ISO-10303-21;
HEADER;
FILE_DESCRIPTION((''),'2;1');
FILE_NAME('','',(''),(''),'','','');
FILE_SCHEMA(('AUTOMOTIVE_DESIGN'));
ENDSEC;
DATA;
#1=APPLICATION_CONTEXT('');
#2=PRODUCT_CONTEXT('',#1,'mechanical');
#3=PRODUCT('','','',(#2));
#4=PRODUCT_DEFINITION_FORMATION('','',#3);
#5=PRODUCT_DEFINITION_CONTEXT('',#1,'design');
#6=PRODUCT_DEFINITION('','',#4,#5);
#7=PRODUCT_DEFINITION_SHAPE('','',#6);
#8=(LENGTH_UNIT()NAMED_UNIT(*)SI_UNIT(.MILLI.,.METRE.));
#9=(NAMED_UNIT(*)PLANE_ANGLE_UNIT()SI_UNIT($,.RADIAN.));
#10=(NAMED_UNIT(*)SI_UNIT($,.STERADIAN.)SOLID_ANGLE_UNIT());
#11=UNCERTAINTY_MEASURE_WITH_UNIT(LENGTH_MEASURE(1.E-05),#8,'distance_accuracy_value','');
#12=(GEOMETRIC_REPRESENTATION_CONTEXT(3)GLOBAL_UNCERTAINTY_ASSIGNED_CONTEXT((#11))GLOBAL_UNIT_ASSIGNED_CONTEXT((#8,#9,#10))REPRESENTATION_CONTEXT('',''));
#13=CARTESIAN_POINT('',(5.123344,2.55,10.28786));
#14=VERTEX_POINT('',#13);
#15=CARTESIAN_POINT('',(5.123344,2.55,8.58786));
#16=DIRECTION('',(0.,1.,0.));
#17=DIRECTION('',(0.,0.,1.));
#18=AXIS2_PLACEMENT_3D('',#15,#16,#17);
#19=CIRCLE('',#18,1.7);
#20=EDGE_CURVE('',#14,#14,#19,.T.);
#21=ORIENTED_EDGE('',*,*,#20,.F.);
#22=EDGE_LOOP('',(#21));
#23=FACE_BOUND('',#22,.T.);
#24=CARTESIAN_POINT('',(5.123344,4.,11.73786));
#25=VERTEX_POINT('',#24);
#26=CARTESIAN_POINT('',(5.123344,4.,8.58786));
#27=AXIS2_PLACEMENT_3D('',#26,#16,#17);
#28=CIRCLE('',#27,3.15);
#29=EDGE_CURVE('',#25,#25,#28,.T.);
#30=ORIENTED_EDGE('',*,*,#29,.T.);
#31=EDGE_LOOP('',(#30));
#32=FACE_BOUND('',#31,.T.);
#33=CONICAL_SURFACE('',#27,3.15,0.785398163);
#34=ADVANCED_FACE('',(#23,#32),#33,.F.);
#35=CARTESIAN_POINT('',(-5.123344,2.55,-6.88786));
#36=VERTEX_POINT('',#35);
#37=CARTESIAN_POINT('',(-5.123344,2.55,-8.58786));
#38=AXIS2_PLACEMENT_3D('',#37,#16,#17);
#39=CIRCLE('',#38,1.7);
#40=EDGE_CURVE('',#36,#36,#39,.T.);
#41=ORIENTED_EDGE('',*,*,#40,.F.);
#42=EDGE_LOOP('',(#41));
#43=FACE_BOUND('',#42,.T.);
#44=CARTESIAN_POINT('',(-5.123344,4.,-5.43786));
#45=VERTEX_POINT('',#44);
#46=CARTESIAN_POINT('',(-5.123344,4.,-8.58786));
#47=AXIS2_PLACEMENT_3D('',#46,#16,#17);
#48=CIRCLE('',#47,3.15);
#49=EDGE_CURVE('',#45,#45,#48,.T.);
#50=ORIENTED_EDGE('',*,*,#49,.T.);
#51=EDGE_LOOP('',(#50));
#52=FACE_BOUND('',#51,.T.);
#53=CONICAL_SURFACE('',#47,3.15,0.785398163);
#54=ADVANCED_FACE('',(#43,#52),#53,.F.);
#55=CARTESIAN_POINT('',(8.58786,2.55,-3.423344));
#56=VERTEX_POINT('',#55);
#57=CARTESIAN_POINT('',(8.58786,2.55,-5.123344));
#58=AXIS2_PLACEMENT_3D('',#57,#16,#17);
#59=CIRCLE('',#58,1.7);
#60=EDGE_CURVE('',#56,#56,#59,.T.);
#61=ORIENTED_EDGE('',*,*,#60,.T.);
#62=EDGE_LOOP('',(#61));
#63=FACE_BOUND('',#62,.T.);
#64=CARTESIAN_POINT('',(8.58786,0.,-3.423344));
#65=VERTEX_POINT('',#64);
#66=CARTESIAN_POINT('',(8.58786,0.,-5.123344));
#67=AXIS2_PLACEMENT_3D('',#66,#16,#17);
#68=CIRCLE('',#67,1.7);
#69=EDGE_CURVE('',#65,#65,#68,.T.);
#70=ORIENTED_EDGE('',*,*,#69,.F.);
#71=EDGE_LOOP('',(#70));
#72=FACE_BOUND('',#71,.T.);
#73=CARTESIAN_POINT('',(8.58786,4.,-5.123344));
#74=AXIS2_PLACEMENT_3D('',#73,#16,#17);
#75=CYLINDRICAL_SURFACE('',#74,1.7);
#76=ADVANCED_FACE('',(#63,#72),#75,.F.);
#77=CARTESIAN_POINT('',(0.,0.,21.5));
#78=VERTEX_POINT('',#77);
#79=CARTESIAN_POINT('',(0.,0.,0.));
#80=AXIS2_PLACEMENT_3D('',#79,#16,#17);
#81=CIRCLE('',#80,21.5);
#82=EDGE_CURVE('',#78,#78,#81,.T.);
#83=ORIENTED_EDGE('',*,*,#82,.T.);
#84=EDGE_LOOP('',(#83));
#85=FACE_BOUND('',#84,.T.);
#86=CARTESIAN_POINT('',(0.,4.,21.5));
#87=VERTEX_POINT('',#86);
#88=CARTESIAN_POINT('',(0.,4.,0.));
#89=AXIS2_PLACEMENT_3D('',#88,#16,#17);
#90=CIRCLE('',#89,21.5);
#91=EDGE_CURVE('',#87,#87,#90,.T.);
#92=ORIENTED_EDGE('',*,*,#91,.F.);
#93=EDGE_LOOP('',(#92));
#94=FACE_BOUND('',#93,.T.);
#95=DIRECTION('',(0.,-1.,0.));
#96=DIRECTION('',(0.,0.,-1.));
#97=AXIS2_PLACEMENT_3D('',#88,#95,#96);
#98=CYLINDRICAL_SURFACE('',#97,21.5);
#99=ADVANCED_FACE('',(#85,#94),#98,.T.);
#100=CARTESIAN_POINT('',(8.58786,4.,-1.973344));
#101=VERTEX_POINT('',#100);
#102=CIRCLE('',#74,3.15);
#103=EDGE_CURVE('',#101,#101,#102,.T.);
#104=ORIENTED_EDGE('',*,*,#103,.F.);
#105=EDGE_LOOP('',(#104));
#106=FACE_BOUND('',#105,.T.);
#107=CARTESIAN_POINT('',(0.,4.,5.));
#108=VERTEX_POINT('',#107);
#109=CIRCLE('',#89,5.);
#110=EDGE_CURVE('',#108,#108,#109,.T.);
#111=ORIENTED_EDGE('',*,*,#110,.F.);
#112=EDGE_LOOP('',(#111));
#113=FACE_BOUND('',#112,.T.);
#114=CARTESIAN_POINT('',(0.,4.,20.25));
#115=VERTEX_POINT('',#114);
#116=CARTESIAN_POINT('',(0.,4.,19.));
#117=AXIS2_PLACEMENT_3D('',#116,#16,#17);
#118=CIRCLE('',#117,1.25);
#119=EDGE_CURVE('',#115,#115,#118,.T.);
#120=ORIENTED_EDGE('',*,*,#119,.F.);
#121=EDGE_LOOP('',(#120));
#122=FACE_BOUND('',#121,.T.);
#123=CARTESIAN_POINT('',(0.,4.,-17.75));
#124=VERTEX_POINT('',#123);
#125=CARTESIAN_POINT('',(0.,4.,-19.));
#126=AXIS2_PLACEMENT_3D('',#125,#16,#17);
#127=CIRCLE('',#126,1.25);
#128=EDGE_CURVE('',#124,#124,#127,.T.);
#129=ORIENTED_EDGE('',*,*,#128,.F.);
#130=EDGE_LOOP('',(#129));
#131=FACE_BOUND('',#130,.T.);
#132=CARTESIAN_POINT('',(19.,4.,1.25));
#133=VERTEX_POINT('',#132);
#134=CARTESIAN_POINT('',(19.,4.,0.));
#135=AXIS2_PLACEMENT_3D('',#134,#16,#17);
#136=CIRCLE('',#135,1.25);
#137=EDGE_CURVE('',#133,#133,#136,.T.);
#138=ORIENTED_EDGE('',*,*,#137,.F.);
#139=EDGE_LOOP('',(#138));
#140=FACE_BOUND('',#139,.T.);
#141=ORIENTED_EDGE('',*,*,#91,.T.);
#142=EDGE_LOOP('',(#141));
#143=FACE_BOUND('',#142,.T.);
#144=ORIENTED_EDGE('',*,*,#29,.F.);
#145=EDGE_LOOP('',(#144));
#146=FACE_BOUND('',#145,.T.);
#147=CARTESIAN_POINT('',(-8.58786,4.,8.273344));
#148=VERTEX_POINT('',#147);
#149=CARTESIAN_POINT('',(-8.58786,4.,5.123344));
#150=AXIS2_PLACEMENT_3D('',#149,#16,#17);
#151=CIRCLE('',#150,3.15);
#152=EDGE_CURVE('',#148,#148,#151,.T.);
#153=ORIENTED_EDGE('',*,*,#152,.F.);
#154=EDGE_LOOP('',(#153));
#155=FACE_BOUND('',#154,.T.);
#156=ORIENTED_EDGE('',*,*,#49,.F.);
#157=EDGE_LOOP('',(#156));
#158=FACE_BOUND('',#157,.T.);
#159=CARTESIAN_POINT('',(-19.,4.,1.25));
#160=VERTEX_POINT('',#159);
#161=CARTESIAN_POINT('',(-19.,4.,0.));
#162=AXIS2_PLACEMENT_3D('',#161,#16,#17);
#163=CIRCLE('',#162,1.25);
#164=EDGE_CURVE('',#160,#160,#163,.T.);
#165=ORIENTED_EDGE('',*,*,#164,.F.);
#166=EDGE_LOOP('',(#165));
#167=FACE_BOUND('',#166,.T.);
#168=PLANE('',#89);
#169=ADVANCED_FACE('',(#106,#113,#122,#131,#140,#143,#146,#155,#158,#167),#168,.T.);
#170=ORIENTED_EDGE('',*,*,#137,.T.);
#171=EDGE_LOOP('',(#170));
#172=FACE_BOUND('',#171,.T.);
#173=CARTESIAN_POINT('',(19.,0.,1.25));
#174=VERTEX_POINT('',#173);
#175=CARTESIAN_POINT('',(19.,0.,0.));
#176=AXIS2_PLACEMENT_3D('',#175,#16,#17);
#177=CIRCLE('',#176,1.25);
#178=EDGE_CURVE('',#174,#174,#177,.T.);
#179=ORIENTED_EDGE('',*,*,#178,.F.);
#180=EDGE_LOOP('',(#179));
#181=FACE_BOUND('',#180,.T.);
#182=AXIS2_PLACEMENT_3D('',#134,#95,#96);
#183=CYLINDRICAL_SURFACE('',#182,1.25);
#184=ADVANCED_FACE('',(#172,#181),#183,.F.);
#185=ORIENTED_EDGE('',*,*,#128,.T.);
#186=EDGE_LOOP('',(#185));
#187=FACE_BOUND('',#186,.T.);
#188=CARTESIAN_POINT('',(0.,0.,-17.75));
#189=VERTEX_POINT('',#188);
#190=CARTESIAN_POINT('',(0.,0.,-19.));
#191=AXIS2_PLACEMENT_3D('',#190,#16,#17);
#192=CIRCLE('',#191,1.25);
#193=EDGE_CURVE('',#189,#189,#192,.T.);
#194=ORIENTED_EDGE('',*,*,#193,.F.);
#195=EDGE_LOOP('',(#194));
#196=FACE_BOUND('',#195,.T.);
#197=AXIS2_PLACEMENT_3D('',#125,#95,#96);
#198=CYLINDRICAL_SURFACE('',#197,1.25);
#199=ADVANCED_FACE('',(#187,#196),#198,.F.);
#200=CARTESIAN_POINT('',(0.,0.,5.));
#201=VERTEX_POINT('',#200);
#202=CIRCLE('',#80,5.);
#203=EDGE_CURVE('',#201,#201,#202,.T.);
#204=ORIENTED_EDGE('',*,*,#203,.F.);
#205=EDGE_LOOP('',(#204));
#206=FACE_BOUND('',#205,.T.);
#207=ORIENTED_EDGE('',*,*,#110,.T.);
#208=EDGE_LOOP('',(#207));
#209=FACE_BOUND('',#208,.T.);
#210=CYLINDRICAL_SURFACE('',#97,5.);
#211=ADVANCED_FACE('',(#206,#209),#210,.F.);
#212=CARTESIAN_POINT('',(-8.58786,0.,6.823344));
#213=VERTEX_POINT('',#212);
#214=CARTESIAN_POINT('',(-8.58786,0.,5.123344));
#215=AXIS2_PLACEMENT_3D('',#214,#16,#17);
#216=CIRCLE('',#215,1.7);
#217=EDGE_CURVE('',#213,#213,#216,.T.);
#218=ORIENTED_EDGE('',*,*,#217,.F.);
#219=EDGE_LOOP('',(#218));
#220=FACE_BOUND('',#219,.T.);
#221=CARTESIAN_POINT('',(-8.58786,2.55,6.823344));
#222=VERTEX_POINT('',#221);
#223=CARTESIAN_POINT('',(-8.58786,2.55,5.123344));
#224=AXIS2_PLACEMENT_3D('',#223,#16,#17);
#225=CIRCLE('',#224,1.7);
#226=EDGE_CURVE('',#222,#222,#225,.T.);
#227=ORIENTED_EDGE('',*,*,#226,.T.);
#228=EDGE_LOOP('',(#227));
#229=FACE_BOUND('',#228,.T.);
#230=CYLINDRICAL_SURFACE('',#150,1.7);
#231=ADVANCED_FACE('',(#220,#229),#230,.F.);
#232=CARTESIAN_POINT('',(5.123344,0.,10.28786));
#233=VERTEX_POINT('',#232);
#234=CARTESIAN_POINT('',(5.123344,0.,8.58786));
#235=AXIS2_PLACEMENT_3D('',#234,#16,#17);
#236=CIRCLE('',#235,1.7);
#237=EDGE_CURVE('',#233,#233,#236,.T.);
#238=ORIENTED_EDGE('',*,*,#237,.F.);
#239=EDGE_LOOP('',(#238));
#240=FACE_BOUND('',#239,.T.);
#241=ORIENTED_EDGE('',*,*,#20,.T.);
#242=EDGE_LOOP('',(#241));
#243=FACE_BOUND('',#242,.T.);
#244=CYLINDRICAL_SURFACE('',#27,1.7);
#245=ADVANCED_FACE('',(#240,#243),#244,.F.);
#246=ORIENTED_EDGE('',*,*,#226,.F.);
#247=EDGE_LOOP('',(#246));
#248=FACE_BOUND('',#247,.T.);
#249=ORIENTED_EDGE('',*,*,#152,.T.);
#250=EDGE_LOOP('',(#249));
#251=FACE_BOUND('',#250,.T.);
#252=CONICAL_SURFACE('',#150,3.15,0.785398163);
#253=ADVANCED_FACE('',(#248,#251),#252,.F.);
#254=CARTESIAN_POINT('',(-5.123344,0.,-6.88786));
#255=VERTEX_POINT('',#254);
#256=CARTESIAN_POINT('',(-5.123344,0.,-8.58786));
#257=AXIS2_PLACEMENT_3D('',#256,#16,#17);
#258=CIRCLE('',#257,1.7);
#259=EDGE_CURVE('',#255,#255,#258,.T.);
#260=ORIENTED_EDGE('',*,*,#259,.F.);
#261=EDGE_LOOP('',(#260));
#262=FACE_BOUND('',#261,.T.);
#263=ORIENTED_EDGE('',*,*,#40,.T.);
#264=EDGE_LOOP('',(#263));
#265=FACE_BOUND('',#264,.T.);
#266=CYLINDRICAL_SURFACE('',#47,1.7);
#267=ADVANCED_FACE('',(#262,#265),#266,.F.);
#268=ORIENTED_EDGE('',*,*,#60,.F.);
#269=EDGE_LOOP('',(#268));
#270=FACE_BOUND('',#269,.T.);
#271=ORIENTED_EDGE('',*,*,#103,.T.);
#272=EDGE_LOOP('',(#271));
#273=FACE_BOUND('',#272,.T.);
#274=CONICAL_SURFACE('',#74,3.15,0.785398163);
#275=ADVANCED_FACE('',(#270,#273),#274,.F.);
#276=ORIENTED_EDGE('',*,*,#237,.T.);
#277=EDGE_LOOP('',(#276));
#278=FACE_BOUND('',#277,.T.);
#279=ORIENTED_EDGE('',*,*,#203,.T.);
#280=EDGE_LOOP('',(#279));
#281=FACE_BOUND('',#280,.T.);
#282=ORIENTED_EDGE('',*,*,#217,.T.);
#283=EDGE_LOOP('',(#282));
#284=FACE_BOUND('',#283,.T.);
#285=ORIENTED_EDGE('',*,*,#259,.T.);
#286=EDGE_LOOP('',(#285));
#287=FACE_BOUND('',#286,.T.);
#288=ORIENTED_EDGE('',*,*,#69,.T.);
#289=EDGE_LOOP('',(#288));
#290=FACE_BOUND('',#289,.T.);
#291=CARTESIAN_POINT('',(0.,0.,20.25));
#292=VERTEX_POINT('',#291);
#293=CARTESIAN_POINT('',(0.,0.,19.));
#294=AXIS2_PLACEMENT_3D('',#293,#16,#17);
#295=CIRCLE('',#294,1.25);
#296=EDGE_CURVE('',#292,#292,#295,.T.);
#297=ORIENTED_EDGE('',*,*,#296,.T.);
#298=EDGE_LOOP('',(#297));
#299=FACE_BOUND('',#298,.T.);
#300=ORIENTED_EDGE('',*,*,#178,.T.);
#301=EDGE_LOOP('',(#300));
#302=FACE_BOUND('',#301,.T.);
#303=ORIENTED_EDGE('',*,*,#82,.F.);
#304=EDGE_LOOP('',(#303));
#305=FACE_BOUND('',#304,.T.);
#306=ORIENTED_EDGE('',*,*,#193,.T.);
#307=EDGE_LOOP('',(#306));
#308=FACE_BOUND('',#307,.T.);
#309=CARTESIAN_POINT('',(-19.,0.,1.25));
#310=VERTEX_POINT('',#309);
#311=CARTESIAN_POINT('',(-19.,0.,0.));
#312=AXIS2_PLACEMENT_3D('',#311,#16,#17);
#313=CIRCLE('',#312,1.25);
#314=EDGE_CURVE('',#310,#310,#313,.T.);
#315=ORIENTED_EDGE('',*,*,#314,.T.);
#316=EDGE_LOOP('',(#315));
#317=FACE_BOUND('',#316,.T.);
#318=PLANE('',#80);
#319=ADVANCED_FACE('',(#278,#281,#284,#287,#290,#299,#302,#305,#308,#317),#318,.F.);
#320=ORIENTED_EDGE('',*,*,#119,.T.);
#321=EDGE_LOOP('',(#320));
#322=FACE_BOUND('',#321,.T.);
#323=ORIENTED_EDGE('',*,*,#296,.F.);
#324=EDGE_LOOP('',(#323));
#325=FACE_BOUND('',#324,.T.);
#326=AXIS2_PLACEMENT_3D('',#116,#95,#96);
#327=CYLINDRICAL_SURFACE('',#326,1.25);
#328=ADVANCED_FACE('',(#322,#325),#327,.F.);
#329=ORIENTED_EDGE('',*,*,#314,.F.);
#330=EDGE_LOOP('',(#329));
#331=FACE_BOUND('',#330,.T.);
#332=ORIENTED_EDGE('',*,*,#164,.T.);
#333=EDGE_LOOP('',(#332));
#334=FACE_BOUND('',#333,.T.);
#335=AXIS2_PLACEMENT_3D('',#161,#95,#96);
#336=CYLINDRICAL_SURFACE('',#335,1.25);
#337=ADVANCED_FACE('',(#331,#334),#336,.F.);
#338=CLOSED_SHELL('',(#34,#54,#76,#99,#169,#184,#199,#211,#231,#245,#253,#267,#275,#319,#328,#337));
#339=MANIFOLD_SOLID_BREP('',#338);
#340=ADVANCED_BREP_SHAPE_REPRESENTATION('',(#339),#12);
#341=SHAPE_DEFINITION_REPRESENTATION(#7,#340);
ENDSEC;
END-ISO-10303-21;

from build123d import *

# Parameters (mm, degrees)
ESQUISSE1_R                                    = 21.5
ESQUISSE1_R_2                                  = 5
ESQUISSE1_R_3                                  = 1
ESQUISSE1_R_4                                  = 1.25
BOSS_EXTRU_1_DEPTH                             = 4
FRAISAGE_POUR_VIS_T_TE_FRAIS_E_M31_D           = 3.4
FRAISAGE_POUR_VIS_T_TE_FRAIS_E_M31_CSINK_D     = 6.3
FRAISAGE_POUR_VIS_T_TE_FRAIS_E_M31_CSINK_ANGLE = 90


with BuildPart() as part:
    # Esquisse1 → Boss.-Extru.1 (new body)
    with BuildSketch(Plane(origin=(0, 0, 0), x_dir=(1, 0, 0), z_dir=(0, 1, 0))):
        with Locations(Location((0, 0, 0), (0, 0, 270))):
            Circle(ESQUISSE1_R)
        with Locations(Location((0, 0, 0), (0, 0, 270))):
            Circle(ESQUISSE1_R_2, mode=Mode.SUBTRACT)
        with Locations(Location((-5.123344298, 8.587860223, 0), (0, 0, 270))):
            Circle(ESQUISSE1_R_3, mode=Mode.SUBTRACT)
        with Locations(Location((8.587860223, 5.123344298, 0), (0, 0, 270))):
            Circle(ESQUISSE1_R_3, mode=Mode.SUBTRACT)
        with Locations(Location((5.123344298, -8.587860223, 0), (0, 0, 270))):
            Circle(ESQUISSE1_R_3, mode=Mode.SUBTRACT)
        with Locations(Location((-8.587860223, -5.123344298, 0), (0, 0, 270))):
            Circle(ESQUISSE1_R_3, mode=Mode.SUBTRACT)
        with Locations(Location((0, 19, 0), (0, 0, 270))):
            Circle(ESQUISSE1_R_4, mode=Mode.SUBTRACT)
        with Locations(Location((19, 0, 0), (0, 0, 270))):
            Circle(ESQUISSE1_R_4, mode=Mode.SUBTRACT)
        with Locations(Location((0, -19, 0), (0, 0, 270))):
            Circle(ESQUISSE1_R_4, mode=Mode.SUBTRACT)
        with Locations(Location((-19, 0, 0), (0, 0, 270))):
            Circle(ESQUISSE1_R_4, mode=Mode.SUBTRACT)
    extrude(amount=BOSS_EXTRU_1_DEPTH)

    # Fraisage pour vis à tête fraisée M31 (through all)
    with Locations(Plane(origin=(0, 4, 0), x_dir=(1, 0, 0), z_dir=(0, 1, 0))):
        with Locations((-5.123344298, 8.587860223), (8.587860223, 5.123344298), (5.123344298, -8.587860223), (-8.587860223, -5.123344298)):
            CounterSinkHole(FRAISAGE_POUR_VIS_T_TE_FRAIS_E_M31_D / 2, FRAISAGE_POUR_VIS_T_TE_FRAIS_E_M31_CSINK_D / 2, counter_sink_angle=FRAISAGE_POUR_VIS_T_TE_FRAIS_E_M31_CSINK_ANGLE)


solid = part.part
